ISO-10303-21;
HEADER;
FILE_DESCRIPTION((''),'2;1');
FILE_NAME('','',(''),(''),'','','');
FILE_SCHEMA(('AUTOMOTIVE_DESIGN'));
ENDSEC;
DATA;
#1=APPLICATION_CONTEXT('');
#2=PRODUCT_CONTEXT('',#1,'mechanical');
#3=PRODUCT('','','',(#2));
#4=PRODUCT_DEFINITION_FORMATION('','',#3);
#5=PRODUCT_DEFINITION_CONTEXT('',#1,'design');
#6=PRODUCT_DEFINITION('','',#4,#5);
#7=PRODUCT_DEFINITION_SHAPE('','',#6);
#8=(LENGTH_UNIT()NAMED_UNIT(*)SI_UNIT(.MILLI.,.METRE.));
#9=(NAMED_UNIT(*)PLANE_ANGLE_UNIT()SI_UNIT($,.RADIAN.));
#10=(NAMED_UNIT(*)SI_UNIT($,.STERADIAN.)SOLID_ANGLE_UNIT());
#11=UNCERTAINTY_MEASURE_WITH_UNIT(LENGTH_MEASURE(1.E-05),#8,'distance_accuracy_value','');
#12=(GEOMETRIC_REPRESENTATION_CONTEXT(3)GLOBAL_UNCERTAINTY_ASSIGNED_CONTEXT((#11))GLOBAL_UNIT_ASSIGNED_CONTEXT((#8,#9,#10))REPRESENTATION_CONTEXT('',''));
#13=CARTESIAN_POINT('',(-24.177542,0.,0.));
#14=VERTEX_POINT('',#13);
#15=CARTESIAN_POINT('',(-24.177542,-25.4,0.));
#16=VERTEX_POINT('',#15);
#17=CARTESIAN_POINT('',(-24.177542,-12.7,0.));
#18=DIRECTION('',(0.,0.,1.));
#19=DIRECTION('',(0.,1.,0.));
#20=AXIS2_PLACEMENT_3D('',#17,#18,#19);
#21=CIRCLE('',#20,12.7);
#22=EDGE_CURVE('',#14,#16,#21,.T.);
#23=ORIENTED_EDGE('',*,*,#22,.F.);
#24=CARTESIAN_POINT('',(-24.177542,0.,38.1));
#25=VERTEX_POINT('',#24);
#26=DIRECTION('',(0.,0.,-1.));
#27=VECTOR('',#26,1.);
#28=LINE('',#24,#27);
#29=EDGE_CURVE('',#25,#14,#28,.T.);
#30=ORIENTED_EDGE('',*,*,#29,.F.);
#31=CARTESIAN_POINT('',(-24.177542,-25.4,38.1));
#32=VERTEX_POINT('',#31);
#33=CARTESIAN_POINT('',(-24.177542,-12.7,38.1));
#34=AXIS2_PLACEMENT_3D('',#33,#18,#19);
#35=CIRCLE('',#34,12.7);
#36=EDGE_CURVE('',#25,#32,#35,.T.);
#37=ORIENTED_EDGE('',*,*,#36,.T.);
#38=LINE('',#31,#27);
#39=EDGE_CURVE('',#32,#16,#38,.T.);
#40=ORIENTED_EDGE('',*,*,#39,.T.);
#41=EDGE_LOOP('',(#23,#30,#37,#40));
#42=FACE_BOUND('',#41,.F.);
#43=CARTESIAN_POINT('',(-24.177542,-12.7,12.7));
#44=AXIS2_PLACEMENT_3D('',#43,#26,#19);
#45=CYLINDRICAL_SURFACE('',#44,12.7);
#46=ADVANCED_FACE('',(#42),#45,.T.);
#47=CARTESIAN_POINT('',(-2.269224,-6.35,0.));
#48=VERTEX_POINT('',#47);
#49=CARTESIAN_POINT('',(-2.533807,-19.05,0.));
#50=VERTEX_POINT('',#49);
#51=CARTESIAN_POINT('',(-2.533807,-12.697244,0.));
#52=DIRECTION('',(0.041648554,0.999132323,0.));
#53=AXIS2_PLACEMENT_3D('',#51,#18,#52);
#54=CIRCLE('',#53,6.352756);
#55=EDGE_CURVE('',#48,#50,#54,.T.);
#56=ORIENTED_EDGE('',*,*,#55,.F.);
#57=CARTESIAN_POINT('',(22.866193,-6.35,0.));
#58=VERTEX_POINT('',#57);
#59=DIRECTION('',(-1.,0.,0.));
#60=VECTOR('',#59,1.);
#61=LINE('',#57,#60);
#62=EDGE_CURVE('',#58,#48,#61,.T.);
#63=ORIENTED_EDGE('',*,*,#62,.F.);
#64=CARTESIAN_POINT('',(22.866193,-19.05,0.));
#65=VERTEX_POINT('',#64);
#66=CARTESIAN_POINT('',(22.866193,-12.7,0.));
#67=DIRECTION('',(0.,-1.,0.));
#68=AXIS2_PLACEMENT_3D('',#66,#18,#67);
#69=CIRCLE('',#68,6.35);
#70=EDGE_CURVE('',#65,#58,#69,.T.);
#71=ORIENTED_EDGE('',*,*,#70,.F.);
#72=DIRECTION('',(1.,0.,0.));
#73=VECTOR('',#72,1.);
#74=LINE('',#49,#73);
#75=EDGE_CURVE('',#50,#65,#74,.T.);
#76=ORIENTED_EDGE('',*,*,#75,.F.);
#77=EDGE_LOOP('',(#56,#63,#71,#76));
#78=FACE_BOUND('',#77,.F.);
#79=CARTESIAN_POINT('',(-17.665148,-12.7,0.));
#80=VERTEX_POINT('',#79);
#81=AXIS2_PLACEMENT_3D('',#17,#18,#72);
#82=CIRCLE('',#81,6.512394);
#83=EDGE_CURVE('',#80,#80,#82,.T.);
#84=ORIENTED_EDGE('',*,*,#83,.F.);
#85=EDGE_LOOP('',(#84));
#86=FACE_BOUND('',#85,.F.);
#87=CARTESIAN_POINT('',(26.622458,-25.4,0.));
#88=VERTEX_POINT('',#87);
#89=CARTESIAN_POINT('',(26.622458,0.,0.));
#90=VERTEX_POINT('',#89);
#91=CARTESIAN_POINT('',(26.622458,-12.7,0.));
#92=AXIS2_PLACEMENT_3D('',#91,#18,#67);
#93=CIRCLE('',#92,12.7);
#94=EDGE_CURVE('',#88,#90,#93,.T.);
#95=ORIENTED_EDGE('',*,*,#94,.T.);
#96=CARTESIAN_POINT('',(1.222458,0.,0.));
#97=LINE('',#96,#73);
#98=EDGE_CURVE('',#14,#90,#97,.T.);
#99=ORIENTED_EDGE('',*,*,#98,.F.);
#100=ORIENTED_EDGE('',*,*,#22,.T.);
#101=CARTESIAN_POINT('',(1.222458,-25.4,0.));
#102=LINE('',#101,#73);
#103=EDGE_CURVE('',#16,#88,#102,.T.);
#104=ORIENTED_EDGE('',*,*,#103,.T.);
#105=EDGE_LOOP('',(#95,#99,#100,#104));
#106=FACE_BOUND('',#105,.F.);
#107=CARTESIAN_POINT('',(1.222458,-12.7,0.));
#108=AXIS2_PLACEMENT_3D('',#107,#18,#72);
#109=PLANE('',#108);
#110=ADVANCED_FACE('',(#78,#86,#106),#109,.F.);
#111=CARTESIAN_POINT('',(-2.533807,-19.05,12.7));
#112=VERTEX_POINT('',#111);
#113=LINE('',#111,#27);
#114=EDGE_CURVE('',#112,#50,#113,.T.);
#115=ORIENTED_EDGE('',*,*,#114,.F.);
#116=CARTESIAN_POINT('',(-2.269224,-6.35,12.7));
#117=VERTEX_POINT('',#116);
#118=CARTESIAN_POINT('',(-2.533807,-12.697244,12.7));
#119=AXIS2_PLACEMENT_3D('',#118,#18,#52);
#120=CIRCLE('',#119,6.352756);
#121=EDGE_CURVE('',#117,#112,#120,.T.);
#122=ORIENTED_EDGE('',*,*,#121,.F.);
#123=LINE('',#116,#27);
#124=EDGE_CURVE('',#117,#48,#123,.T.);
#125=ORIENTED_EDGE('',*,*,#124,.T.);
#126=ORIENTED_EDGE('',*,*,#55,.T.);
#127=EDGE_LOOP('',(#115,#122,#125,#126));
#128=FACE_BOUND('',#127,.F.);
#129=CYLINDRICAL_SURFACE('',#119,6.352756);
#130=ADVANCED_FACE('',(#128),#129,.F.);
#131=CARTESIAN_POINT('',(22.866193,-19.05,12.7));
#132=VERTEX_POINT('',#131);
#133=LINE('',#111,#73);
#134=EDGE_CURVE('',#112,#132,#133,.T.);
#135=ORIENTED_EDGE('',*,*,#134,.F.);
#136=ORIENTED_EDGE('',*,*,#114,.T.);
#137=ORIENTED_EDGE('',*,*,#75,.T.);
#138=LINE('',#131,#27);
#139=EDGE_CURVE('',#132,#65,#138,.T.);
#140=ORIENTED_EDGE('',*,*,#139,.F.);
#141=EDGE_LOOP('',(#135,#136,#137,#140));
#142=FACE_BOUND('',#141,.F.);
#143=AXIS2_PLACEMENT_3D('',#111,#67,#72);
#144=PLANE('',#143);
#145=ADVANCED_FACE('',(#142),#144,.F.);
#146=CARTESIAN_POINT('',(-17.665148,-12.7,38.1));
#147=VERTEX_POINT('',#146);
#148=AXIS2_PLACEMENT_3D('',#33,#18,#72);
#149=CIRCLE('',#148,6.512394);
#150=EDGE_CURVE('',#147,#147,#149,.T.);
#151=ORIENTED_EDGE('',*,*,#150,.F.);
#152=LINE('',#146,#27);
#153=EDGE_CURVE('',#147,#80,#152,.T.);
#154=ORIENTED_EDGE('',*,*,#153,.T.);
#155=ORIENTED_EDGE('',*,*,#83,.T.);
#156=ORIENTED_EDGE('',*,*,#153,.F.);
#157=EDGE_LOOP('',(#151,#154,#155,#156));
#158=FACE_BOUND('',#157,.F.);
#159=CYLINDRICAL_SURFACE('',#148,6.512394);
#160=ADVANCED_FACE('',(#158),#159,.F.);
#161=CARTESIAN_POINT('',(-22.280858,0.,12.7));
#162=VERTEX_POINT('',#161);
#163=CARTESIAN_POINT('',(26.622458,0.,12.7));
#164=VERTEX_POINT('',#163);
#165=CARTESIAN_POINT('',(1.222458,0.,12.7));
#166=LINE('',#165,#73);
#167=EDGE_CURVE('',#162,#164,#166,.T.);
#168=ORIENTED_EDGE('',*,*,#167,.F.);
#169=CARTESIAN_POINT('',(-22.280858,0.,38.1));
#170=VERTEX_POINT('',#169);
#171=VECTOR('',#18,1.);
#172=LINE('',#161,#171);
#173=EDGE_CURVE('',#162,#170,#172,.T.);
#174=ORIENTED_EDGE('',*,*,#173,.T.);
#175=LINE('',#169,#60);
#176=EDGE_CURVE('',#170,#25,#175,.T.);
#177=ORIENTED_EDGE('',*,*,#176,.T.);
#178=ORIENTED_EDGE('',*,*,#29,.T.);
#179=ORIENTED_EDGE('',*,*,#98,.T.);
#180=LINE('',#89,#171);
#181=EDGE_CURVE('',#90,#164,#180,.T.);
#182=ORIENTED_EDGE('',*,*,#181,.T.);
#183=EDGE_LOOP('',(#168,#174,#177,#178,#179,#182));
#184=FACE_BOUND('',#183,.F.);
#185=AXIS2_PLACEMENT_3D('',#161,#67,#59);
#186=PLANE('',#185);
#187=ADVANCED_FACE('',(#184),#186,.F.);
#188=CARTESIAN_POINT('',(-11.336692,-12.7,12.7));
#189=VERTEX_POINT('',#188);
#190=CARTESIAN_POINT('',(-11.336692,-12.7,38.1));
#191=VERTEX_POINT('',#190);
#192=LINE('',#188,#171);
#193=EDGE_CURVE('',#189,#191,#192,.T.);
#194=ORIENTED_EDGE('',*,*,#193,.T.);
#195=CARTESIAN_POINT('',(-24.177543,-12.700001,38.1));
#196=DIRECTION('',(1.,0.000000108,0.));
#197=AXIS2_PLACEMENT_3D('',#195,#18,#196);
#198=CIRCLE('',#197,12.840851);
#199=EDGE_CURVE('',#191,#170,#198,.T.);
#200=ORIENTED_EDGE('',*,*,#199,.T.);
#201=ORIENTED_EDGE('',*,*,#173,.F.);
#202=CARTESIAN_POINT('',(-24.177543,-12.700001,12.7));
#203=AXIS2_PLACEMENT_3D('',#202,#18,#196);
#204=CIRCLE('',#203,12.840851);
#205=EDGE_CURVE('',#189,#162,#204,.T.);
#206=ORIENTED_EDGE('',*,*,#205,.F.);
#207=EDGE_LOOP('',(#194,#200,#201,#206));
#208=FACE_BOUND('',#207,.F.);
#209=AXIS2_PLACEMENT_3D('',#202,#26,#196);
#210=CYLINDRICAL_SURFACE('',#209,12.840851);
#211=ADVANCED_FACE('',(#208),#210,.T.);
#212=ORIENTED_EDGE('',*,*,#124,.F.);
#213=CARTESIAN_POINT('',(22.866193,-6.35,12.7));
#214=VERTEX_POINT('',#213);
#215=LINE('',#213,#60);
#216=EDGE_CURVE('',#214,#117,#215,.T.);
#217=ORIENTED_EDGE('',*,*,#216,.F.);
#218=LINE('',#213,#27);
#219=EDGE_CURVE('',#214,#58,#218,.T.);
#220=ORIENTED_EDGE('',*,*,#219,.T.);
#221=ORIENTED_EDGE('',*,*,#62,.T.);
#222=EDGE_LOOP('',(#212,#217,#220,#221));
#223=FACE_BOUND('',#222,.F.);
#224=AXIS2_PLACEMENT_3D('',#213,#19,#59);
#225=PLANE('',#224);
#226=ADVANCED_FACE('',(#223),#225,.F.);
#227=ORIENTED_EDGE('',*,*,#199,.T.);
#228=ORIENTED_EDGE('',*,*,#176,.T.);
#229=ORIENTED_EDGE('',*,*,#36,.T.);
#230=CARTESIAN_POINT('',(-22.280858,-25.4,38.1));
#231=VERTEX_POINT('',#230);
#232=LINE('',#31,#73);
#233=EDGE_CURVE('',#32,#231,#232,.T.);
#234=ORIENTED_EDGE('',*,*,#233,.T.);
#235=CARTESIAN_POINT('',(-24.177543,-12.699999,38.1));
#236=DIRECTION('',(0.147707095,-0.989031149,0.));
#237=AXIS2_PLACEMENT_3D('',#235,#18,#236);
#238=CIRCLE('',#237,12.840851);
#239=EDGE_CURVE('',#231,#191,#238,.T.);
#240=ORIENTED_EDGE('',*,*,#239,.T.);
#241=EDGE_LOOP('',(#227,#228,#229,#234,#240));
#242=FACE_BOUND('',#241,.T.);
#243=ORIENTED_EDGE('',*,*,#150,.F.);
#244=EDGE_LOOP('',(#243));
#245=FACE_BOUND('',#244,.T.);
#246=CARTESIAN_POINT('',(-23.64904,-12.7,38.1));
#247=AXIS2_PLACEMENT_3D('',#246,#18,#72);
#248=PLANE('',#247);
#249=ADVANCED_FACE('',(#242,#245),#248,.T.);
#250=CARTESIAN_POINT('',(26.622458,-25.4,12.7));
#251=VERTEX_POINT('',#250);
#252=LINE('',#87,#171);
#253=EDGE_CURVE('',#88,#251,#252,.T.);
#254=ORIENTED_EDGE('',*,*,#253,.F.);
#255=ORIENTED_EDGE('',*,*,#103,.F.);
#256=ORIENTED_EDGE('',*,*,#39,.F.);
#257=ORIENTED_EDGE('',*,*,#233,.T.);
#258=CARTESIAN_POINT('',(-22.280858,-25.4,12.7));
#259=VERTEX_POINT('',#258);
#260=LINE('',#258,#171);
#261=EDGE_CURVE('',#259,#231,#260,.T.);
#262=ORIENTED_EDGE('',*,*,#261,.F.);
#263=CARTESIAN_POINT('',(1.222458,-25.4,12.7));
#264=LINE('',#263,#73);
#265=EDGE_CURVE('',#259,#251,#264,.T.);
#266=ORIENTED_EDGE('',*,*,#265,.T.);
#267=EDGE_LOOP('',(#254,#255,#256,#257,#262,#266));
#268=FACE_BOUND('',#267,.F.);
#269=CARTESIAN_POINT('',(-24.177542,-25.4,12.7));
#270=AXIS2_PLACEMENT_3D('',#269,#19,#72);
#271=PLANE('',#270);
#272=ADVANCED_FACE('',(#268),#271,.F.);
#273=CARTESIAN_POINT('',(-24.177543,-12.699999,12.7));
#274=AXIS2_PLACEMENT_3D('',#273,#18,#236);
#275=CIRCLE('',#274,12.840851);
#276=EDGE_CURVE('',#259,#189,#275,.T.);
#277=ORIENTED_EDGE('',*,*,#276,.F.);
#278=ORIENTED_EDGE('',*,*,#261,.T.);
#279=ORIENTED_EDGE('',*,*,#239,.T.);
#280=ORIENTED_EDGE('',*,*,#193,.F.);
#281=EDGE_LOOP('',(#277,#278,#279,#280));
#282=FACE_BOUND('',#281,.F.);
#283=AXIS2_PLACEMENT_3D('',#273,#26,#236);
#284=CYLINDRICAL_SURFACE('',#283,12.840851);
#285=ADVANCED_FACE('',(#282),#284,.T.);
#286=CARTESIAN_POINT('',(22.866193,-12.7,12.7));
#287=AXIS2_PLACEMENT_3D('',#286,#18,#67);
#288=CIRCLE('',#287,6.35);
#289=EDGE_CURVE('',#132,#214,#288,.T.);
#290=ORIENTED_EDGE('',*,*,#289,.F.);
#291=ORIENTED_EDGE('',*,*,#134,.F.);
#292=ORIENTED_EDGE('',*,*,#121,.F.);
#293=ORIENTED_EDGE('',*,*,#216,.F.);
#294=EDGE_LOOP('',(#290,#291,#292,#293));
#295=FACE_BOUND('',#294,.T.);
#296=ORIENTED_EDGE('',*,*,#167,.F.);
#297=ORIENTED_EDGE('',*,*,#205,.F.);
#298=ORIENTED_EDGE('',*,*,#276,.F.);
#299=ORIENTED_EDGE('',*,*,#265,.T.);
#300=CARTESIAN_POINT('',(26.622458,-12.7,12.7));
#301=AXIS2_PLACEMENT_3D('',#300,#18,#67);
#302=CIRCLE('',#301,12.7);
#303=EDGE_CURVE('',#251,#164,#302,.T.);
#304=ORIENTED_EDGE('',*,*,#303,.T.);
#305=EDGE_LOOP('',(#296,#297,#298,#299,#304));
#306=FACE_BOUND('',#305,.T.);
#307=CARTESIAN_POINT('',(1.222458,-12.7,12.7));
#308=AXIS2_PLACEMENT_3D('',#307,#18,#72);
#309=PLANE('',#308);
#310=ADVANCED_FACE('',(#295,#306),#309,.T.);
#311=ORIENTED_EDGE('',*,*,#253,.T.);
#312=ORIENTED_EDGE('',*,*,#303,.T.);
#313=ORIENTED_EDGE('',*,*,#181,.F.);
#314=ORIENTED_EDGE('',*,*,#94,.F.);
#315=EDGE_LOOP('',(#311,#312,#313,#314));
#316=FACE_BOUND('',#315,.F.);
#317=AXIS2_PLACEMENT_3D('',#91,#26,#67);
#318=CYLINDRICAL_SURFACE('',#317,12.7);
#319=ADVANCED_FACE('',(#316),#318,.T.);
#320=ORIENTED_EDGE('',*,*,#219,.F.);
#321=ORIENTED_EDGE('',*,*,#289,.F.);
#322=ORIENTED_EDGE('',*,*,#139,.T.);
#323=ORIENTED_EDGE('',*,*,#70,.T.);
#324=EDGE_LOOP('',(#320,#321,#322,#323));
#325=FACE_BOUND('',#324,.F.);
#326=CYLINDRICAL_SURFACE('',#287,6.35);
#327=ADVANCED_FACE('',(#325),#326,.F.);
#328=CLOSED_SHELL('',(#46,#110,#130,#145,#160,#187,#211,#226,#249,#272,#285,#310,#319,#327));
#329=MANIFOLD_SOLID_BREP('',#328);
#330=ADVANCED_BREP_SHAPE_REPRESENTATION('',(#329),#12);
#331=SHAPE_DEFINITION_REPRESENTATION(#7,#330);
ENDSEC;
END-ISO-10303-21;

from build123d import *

# Parameters (mm, degrees)
F0_W     = 50.8
F0_H     = 25.4
F1_DEPTH = 12.7
F3_DEPTH = 25.4
F4_R     = 6.512394
F5_DEPTH = 38.1
F7_DEPTH = 12.7


with BuildPart() as f1:
    # F0 (on Top) → F1 (new body)
    with BuildSketch(Plane.XY):
        with Locations((1.222458, -12.7)):
            Rectangle(F0_W, F0_H)
        with BuildLine():
            Line((-24.177542, -25.4), (-24.177542, 0))
            ThreePointArc((-24.177542, 0), (-36.877542, -12.7), (-24.177542, -25.4))
        make_face()
        with BuildLine():
            ThreePointArc((26.622458, -25.4), (39.322458, -12.7), (26.622458, 0))
            Line((26.622458, 0), (26.622458, -25.4))
        make_face()
    extrude(amount=F1_DEPTH)

    # F2 (on face) → F3 (join)
    with BuildSketch(Plane.XY.offset(12.7)):
        with BuildLine():
            ThreePointArc((-22.280858, -25.4), (-14.450198, -21.082493), (-11.336692, -12.7))
            ThreePointArc((-11.336692, -12.7), (-14.450198, -4.317507), (-22.280858, 0))
            Line((-22.280858, 0), (-24.177542, 0))
            ThreePointArc((-24.177542, 0), (-36.877542, -12.7), (-24.177542, -25.4))
            Line((-24.177542, -25.4), (-22.280858, -25.4))
        make_face()
    extrude(amount=F3_DEPTH)

    # F4 (on face) → F5 (cut)
    with BuildSketch(Plane.XY.offset(38.1)):
        with Locations((-24.177542, -12.7)):
            Circle(F4_R)
    extrude(amount=-F5_DEPTH, mode=Mode.SUBTRACT)

    # F6 (on face) → F7 (cut)
    with BuildSketch(Plane.XY.offset(12.7)):
        with BuildLine():
            ThreePointArc((22.866193, -19.05), (29.216193, -12.7), (22.866193, -6.35))
            Line((22.866193, -6.35), (22.866193, -19.05))
        make_face()
        Polygon((22.866193, -6.35), (-2.269224, -6.35), (-2.533807, -19.05), (22.866193, -19.05), align=None)
        with BuildLine():
            Line((-2.533807, -19.05), (-2.269224, -6.35))
            ThreePointArc((-2.269224, -6.35), (-8.885185, -12.564924), (-2.533807, -19.05))
        make_face()
    extrude(amount=-F7_DEPTH, mode=Mode.SUBTRACT)


solid = f1.part
